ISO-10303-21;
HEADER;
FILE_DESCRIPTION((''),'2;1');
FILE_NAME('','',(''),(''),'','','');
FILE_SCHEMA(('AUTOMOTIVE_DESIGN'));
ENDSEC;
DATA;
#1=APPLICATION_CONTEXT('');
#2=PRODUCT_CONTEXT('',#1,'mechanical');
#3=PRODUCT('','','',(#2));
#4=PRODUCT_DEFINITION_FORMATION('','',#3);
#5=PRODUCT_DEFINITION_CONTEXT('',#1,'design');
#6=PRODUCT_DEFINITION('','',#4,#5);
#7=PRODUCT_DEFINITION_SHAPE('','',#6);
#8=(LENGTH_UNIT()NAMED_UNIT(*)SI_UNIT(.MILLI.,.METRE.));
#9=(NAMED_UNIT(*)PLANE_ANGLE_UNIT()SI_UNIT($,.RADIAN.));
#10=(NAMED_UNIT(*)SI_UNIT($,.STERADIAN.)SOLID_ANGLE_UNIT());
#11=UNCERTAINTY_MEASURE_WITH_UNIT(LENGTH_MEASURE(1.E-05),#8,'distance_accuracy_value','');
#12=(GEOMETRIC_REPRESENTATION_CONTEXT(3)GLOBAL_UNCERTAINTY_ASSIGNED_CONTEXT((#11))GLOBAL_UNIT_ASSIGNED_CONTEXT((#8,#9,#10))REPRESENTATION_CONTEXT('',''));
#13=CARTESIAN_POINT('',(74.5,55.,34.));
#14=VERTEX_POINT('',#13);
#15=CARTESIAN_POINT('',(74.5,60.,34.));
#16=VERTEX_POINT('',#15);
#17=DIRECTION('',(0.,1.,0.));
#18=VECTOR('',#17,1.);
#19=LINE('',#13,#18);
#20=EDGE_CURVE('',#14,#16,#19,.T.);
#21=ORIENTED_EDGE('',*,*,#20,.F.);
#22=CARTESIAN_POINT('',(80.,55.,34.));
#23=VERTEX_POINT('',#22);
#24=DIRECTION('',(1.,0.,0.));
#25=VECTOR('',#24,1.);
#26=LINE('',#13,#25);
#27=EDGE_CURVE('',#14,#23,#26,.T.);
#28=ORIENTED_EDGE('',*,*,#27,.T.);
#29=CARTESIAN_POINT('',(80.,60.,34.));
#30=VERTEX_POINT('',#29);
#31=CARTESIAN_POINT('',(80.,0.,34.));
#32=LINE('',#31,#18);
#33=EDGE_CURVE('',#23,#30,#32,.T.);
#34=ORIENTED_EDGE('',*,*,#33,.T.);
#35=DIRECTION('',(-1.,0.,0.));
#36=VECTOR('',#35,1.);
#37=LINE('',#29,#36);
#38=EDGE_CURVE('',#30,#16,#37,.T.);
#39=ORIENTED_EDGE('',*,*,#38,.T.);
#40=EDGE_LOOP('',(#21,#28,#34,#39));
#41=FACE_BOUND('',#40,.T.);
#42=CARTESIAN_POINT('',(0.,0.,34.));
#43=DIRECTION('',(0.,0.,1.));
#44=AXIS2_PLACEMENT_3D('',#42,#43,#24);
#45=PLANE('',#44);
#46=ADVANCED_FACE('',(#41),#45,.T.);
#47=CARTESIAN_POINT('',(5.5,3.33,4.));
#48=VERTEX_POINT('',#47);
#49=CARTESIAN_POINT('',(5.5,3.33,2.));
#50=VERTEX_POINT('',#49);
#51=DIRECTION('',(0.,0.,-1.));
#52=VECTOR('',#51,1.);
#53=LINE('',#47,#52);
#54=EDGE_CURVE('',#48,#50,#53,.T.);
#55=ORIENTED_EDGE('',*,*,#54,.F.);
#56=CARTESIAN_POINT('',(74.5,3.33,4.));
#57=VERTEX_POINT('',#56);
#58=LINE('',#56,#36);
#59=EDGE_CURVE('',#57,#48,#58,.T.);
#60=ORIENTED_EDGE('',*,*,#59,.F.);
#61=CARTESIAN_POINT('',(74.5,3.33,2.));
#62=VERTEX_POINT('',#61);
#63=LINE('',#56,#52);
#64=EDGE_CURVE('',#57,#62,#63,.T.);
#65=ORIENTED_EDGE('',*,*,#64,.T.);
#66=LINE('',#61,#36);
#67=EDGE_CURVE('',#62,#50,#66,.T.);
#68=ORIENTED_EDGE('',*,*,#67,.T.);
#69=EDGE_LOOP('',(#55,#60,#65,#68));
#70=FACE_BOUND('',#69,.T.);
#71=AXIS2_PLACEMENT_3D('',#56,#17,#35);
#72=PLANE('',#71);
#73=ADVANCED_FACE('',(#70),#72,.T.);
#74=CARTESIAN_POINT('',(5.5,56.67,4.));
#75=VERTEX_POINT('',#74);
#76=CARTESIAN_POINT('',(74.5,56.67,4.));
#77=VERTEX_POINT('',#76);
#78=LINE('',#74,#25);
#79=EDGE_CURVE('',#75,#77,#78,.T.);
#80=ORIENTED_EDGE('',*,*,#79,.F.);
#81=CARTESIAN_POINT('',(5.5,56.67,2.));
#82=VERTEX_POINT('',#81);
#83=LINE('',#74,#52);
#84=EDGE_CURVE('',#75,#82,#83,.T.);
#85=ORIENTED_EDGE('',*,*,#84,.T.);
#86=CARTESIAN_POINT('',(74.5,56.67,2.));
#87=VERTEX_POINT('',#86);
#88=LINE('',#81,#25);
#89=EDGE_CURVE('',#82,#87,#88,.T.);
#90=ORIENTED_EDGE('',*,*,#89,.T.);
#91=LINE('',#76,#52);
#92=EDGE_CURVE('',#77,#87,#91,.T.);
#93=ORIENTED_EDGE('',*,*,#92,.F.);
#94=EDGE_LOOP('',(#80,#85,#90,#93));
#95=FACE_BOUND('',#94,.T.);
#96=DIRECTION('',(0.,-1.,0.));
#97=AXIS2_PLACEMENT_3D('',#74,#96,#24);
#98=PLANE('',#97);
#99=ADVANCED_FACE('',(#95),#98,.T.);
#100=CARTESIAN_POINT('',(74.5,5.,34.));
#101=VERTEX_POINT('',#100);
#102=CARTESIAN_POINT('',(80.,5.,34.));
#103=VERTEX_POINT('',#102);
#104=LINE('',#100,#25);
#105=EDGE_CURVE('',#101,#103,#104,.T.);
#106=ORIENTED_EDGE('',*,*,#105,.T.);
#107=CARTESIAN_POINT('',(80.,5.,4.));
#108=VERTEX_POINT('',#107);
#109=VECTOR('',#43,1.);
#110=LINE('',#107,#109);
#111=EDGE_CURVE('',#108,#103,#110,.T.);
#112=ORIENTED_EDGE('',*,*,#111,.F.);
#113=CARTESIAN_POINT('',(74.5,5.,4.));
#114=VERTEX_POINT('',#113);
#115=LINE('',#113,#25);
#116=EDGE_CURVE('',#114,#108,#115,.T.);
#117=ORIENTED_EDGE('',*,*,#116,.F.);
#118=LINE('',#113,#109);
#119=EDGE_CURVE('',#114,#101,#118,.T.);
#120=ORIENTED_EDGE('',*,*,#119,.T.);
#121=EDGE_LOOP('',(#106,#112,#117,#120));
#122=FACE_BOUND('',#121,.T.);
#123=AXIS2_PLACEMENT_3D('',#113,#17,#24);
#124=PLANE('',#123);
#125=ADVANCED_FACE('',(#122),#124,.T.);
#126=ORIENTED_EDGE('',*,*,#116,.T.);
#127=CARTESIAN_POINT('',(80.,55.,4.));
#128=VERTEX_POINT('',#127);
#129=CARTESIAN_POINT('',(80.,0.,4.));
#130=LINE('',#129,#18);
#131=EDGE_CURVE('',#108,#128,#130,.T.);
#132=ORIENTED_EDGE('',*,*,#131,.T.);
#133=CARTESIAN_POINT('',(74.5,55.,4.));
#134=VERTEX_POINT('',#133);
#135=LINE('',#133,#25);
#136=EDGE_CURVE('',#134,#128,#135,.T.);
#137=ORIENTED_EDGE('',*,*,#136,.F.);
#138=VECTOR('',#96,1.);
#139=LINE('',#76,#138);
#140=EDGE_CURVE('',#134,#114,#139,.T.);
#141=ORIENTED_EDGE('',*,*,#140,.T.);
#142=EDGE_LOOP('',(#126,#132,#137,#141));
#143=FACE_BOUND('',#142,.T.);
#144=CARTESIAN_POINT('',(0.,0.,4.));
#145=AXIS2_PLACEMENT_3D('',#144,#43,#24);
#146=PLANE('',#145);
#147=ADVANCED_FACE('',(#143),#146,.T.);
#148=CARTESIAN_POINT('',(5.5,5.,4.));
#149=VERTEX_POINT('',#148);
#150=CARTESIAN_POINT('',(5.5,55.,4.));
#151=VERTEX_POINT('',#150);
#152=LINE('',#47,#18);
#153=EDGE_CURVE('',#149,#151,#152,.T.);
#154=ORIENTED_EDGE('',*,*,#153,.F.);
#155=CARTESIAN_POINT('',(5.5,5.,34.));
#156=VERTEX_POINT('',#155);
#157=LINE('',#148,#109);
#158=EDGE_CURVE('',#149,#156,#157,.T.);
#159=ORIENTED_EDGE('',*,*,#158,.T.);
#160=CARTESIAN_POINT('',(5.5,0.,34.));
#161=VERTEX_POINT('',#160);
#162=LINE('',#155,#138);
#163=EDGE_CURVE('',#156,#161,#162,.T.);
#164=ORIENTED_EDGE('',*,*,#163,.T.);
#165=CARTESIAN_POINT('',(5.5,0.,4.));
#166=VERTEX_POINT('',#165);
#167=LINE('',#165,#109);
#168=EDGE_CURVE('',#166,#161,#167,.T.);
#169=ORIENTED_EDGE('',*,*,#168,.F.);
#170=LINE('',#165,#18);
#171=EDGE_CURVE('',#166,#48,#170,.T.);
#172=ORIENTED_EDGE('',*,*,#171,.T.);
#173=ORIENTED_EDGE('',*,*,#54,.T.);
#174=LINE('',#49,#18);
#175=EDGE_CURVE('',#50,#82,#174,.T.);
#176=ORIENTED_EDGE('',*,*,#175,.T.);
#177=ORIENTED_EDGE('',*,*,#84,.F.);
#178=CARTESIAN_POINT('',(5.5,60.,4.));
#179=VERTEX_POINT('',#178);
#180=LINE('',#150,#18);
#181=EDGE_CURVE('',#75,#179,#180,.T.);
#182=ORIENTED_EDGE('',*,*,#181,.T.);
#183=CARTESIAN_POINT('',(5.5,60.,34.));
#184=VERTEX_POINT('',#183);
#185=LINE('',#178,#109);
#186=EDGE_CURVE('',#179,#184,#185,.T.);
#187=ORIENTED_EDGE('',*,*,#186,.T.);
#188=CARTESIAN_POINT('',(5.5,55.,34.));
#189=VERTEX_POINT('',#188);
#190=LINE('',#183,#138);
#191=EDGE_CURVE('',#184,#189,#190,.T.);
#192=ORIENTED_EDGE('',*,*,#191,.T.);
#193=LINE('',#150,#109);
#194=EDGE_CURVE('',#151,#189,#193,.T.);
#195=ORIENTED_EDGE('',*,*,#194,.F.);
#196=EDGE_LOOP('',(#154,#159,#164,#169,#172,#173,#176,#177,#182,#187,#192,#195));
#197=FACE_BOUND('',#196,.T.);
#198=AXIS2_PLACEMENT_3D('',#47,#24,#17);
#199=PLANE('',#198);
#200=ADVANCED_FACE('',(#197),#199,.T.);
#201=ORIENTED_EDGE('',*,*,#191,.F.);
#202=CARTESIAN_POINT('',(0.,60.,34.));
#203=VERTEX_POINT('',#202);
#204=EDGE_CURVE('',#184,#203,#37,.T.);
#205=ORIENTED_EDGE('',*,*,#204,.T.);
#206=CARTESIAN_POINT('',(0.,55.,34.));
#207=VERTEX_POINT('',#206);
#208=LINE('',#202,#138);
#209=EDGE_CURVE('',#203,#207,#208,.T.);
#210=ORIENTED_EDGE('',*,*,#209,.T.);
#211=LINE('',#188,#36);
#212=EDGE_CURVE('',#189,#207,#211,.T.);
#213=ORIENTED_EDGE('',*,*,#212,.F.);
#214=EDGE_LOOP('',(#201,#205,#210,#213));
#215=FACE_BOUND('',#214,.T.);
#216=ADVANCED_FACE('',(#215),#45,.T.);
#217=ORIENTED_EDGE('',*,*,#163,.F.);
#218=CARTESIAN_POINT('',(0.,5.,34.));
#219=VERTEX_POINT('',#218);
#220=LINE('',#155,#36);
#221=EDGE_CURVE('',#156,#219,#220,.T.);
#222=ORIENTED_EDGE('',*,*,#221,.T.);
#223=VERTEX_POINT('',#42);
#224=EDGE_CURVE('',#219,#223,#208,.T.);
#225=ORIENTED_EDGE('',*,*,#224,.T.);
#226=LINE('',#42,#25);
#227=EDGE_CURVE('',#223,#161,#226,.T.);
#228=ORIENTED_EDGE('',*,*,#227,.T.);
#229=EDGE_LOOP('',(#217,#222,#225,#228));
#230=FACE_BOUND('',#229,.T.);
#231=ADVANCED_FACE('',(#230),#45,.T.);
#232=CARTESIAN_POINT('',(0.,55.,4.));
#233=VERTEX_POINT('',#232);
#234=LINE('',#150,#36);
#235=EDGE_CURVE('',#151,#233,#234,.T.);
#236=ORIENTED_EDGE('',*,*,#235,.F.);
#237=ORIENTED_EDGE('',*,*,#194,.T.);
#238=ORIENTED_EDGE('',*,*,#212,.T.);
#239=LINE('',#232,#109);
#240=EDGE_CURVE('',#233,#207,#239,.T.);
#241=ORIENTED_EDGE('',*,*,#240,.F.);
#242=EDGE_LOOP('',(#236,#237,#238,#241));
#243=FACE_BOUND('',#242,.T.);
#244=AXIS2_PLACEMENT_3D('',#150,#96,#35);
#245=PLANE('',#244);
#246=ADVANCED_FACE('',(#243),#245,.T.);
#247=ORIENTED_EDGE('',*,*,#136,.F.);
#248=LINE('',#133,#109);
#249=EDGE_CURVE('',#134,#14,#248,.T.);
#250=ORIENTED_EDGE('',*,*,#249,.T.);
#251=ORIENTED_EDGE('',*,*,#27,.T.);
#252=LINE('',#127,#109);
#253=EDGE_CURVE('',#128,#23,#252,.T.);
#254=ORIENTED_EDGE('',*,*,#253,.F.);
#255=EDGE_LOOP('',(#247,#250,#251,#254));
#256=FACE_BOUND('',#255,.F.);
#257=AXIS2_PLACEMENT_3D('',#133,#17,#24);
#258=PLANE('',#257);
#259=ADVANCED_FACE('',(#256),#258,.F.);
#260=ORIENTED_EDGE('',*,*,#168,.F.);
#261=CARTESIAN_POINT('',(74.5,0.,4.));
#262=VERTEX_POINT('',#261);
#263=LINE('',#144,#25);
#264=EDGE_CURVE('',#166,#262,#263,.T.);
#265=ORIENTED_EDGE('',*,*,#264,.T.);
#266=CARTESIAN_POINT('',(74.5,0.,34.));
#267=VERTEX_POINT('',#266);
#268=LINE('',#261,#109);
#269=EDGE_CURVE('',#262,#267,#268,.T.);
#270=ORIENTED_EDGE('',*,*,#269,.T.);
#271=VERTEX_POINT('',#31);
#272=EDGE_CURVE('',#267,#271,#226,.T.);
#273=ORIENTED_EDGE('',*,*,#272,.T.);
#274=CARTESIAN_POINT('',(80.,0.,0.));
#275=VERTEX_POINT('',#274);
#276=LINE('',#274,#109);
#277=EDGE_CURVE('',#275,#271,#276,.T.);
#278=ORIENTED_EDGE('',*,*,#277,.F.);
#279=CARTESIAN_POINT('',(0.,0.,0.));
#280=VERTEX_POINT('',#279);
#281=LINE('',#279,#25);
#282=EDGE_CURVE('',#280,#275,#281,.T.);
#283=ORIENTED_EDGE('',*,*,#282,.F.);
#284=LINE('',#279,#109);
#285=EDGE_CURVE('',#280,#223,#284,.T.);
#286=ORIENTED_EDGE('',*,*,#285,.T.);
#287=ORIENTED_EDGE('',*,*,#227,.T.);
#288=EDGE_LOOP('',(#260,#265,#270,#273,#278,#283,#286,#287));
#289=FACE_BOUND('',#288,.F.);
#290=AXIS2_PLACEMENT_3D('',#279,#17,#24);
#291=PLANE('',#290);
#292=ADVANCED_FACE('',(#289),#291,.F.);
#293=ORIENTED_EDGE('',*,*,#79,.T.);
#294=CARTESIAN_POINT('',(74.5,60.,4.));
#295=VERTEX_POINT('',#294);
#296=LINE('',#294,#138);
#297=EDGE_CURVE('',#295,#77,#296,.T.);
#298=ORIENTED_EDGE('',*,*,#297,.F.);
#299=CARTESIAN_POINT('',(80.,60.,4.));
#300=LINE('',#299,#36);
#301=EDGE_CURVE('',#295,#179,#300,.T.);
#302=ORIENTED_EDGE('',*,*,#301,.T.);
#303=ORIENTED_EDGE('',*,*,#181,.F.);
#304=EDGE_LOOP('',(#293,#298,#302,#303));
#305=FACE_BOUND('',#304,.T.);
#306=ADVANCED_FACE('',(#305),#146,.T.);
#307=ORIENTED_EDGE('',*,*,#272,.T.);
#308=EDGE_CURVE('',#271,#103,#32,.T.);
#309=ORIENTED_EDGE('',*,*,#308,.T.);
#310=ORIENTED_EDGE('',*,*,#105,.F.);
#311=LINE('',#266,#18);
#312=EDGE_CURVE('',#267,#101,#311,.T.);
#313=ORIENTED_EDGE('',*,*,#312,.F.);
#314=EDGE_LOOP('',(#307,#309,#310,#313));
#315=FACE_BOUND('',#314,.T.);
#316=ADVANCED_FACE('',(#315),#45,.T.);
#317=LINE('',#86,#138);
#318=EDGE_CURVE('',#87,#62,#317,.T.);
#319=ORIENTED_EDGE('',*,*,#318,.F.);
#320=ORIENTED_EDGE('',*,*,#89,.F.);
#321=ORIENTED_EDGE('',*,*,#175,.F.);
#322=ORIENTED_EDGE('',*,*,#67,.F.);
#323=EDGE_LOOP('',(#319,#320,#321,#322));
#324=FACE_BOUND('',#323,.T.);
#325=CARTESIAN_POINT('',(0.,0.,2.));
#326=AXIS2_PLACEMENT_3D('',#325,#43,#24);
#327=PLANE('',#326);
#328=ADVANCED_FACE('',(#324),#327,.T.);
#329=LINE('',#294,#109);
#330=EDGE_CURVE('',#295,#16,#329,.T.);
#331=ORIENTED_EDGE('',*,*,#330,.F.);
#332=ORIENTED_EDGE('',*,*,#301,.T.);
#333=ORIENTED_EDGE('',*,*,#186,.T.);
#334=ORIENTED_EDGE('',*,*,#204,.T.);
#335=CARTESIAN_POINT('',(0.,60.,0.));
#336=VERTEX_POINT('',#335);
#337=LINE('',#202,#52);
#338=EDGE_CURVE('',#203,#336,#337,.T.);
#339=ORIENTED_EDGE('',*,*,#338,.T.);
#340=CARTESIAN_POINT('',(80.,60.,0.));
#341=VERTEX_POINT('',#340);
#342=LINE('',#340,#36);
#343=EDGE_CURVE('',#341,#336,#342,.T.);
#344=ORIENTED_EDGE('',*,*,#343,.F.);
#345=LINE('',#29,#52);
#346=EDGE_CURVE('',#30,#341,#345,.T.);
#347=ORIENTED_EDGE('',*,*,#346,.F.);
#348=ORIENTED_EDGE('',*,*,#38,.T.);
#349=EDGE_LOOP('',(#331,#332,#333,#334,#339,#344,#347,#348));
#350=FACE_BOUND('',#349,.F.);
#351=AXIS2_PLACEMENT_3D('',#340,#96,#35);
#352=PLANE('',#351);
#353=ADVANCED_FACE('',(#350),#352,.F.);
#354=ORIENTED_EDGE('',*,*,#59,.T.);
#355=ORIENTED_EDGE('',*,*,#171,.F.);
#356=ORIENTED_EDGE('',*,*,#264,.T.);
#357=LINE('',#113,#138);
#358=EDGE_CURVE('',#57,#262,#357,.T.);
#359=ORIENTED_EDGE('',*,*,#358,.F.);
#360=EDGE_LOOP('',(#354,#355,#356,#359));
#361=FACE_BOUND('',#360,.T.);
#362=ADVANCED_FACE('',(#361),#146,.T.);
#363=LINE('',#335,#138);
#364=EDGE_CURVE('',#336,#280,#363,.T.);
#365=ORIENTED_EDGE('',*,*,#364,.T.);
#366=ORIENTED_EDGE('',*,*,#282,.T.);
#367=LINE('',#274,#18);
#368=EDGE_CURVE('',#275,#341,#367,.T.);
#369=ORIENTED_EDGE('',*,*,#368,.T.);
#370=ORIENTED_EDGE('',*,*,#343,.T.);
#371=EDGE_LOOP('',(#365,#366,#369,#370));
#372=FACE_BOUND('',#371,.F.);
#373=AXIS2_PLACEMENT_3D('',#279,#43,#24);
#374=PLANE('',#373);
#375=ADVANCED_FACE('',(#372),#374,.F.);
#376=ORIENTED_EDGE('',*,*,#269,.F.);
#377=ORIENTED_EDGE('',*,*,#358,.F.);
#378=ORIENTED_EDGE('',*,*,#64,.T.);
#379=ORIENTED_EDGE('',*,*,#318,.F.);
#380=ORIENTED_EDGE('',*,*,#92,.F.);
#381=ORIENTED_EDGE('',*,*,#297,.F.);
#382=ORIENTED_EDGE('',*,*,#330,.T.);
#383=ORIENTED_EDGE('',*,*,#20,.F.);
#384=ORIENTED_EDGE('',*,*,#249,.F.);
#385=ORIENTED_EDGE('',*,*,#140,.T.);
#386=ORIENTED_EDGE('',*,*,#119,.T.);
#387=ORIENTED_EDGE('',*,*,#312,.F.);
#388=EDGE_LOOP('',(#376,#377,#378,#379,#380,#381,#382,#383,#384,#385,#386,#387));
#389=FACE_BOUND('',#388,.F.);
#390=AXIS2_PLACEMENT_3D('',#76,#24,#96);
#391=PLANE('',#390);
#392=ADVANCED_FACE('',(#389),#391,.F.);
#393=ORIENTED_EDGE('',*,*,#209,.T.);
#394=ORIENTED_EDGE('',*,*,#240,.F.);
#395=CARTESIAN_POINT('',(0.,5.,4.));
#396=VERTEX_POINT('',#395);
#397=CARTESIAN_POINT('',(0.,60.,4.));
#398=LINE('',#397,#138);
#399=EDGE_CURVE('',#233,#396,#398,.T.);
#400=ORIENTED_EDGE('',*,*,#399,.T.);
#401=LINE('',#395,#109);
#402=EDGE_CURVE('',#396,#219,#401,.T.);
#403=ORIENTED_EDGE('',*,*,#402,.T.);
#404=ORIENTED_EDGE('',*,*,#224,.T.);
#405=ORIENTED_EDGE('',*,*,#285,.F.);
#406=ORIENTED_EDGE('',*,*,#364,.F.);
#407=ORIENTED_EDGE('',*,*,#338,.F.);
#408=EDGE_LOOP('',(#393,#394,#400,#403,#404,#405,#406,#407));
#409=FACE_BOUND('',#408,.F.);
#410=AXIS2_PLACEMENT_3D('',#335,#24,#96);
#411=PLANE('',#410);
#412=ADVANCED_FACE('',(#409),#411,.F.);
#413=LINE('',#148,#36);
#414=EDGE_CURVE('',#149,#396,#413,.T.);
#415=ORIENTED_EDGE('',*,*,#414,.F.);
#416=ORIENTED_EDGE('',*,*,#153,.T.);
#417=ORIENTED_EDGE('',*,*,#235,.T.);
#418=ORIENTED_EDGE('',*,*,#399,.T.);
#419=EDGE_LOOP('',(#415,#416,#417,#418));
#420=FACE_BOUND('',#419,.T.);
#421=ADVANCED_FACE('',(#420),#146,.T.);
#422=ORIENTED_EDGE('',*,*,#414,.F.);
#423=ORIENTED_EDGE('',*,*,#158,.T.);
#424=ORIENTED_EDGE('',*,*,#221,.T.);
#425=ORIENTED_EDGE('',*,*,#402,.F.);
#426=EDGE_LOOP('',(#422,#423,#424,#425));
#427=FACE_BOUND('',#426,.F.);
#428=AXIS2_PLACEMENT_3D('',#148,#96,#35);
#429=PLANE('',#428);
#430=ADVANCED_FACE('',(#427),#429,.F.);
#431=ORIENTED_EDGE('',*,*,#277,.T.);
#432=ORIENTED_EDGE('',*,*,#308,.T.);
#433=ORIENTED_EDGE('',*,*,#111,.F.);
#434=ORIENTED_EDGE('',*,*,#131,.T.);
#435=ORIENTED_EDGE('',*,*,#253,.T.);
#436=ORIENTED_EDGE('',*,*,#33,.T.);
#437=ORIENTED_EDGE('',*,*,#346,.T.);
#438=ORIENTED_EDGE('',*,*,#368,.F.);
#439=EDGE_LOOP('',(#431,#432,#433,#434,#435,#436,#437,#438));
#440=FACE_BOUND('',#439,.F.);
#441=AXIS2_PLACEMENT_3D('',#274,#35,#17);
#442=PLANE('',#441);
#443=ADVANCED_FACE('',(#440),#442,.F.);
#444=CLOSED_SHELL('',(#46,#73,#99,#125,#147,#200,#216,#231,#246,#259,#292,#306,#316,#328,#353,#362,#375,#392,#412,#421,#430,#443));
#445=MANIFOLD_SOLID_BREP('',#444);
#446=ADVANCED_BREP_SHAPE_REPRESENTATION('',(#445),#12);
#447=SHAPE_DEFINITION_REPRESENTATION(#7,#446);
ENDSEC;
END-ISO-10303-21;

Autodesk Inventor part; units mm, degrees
ref_plane "YZ Plane" through (0, 0, 0) normal (1, 0, 0) x (0, 1, 0)
ref_plane "XZ Plane" through (0, 0, 0) normal (0, 1, 0) x (-1, 0, 0)
ref_plane "XY Plane" through (0, 0, 0) normal (0, 0, 1) x (1, 0, 0)
sketch "Эскиз1" plane through (0, 0, 0) normal (0, 0, 1) x (1, 0, 0)
  line L0 (0, 0) -> (80, 0)
  line L1 (80, 0) -> (80, 60)
  line L2 (80, 60) -> (0, 60)
  line L3 (0, 60) -> (0, 0)
  dimension "d0" = 60
  dimension "d1" = 80
extrude "Выдавливание1" add sketch "Эскиз1" along normal blind 4
ref_plane "РабПлоскость1" through (0, 0, 4) normal (0, 0, 1) x (1, 0, 0)
sketch "Эскиз3" plane through (0, 0, 4) normal (0, 0, 1) x (1, 0, 0)
  line L0 (5.5, 56.67) -> (74.5, 56.67)
  line L1 (74.5, 56.67) -> (74.5, 3.33)
  line L2 (74.5, 3.33) -> (5.5, 3.33)
  line L3 (5.5, 3.33) -> (5.5, 56.67)
  line L4 (80, 60) -> (0, 60) projected
  line L5 (80, 0) -> (80, 60) projected
  line L6 (0, 0) -> (80, 0) projected
  dimension "d5" = 69
  dimension "d6" = 53.34
  dimension "d7" = 3.33
  dimension "d8" = 5.5
  dimension "d11" = 60
  dimension "d12" = 80
extrude "Выдавливание2" cut sketch "Эскиз3" against normal blind 2
sketch "Эскиз4" plane through (0, 0, 4) normal (0, 0, 1) x (1, 0, 0)
  line L0 (80, 60) -> (0, 60) projected
  line L1 (0, 60) -> (0, 0) projected
  line L2 (5.5, 56.67) -> (74.5, 56.67) projected
  line L3 (5.5, 3.33) -> (5.5, 56.67) projected
  line L4 (80, 0) -> (80, 60) projected
  line L5 (74.5, 56.67) -> (74.5, 3.33) projected
  line L6 (74.5, 3.33) -> (5.5, 3.33) projected
  line L7 (0, 0) -> (80, 0) projected
  line L8 (5.5, 3.33) -> (5.5, 56.67) projected
  line L9 (0, 60) -> (5.5, 60)
  line L10 (5.5, 60) -> (5.5, 55)
  line L11 (5.5, 55) -> (0, 55)
  line L12 (0, 55) -> (0, 60)
  line L13 (80, 60) -> (0, 60) projected
  line L14 (74.5, 56.67) -> (74.5, 3.33) projected
  line L15 (80, 60) -> (74.5, 60)
  line L16 (74.5, 60) -> (74.5, 55)
  line L17 (74.5, 55) -> (80, 55)
  line L18 (80, 55) -> (80, 60)
  line L19 (80, 0) -> (74.5, 0)
  line L20 (74.5, 0) -> (74.5, 5)
  line L21 (74.5, 5) -> (80, 5)
  line L22 (80, 5) -> (80, 0)
  line L23 (0, 0) -> (5.5, 0)
  line L24 (5.5, 0) -> (5.5, 5)
  line L25 (5.5, 5) -> (0, 5)
  line L26 (0, 5) -> (0, 0)
  dimension "d13" = 5
  dimension "d14" = 5
  dimension "d15" = 5
extrude "Выдавливание3" add sketch "Эскиз4" along normal blind 30 contours L4 L17 L5 L16 L0 | L10 L3 L11 L1 L0 | L4 L7 L20 L5 L21 | L25 L3 L24 L7 L1
equation "\"d7\" = -0.5 * d6 + 0.5 * d11"
equation "\"d8\" = -0.5 * d5 + 0.5 * d12"
properties part number "Каркас для плат"
